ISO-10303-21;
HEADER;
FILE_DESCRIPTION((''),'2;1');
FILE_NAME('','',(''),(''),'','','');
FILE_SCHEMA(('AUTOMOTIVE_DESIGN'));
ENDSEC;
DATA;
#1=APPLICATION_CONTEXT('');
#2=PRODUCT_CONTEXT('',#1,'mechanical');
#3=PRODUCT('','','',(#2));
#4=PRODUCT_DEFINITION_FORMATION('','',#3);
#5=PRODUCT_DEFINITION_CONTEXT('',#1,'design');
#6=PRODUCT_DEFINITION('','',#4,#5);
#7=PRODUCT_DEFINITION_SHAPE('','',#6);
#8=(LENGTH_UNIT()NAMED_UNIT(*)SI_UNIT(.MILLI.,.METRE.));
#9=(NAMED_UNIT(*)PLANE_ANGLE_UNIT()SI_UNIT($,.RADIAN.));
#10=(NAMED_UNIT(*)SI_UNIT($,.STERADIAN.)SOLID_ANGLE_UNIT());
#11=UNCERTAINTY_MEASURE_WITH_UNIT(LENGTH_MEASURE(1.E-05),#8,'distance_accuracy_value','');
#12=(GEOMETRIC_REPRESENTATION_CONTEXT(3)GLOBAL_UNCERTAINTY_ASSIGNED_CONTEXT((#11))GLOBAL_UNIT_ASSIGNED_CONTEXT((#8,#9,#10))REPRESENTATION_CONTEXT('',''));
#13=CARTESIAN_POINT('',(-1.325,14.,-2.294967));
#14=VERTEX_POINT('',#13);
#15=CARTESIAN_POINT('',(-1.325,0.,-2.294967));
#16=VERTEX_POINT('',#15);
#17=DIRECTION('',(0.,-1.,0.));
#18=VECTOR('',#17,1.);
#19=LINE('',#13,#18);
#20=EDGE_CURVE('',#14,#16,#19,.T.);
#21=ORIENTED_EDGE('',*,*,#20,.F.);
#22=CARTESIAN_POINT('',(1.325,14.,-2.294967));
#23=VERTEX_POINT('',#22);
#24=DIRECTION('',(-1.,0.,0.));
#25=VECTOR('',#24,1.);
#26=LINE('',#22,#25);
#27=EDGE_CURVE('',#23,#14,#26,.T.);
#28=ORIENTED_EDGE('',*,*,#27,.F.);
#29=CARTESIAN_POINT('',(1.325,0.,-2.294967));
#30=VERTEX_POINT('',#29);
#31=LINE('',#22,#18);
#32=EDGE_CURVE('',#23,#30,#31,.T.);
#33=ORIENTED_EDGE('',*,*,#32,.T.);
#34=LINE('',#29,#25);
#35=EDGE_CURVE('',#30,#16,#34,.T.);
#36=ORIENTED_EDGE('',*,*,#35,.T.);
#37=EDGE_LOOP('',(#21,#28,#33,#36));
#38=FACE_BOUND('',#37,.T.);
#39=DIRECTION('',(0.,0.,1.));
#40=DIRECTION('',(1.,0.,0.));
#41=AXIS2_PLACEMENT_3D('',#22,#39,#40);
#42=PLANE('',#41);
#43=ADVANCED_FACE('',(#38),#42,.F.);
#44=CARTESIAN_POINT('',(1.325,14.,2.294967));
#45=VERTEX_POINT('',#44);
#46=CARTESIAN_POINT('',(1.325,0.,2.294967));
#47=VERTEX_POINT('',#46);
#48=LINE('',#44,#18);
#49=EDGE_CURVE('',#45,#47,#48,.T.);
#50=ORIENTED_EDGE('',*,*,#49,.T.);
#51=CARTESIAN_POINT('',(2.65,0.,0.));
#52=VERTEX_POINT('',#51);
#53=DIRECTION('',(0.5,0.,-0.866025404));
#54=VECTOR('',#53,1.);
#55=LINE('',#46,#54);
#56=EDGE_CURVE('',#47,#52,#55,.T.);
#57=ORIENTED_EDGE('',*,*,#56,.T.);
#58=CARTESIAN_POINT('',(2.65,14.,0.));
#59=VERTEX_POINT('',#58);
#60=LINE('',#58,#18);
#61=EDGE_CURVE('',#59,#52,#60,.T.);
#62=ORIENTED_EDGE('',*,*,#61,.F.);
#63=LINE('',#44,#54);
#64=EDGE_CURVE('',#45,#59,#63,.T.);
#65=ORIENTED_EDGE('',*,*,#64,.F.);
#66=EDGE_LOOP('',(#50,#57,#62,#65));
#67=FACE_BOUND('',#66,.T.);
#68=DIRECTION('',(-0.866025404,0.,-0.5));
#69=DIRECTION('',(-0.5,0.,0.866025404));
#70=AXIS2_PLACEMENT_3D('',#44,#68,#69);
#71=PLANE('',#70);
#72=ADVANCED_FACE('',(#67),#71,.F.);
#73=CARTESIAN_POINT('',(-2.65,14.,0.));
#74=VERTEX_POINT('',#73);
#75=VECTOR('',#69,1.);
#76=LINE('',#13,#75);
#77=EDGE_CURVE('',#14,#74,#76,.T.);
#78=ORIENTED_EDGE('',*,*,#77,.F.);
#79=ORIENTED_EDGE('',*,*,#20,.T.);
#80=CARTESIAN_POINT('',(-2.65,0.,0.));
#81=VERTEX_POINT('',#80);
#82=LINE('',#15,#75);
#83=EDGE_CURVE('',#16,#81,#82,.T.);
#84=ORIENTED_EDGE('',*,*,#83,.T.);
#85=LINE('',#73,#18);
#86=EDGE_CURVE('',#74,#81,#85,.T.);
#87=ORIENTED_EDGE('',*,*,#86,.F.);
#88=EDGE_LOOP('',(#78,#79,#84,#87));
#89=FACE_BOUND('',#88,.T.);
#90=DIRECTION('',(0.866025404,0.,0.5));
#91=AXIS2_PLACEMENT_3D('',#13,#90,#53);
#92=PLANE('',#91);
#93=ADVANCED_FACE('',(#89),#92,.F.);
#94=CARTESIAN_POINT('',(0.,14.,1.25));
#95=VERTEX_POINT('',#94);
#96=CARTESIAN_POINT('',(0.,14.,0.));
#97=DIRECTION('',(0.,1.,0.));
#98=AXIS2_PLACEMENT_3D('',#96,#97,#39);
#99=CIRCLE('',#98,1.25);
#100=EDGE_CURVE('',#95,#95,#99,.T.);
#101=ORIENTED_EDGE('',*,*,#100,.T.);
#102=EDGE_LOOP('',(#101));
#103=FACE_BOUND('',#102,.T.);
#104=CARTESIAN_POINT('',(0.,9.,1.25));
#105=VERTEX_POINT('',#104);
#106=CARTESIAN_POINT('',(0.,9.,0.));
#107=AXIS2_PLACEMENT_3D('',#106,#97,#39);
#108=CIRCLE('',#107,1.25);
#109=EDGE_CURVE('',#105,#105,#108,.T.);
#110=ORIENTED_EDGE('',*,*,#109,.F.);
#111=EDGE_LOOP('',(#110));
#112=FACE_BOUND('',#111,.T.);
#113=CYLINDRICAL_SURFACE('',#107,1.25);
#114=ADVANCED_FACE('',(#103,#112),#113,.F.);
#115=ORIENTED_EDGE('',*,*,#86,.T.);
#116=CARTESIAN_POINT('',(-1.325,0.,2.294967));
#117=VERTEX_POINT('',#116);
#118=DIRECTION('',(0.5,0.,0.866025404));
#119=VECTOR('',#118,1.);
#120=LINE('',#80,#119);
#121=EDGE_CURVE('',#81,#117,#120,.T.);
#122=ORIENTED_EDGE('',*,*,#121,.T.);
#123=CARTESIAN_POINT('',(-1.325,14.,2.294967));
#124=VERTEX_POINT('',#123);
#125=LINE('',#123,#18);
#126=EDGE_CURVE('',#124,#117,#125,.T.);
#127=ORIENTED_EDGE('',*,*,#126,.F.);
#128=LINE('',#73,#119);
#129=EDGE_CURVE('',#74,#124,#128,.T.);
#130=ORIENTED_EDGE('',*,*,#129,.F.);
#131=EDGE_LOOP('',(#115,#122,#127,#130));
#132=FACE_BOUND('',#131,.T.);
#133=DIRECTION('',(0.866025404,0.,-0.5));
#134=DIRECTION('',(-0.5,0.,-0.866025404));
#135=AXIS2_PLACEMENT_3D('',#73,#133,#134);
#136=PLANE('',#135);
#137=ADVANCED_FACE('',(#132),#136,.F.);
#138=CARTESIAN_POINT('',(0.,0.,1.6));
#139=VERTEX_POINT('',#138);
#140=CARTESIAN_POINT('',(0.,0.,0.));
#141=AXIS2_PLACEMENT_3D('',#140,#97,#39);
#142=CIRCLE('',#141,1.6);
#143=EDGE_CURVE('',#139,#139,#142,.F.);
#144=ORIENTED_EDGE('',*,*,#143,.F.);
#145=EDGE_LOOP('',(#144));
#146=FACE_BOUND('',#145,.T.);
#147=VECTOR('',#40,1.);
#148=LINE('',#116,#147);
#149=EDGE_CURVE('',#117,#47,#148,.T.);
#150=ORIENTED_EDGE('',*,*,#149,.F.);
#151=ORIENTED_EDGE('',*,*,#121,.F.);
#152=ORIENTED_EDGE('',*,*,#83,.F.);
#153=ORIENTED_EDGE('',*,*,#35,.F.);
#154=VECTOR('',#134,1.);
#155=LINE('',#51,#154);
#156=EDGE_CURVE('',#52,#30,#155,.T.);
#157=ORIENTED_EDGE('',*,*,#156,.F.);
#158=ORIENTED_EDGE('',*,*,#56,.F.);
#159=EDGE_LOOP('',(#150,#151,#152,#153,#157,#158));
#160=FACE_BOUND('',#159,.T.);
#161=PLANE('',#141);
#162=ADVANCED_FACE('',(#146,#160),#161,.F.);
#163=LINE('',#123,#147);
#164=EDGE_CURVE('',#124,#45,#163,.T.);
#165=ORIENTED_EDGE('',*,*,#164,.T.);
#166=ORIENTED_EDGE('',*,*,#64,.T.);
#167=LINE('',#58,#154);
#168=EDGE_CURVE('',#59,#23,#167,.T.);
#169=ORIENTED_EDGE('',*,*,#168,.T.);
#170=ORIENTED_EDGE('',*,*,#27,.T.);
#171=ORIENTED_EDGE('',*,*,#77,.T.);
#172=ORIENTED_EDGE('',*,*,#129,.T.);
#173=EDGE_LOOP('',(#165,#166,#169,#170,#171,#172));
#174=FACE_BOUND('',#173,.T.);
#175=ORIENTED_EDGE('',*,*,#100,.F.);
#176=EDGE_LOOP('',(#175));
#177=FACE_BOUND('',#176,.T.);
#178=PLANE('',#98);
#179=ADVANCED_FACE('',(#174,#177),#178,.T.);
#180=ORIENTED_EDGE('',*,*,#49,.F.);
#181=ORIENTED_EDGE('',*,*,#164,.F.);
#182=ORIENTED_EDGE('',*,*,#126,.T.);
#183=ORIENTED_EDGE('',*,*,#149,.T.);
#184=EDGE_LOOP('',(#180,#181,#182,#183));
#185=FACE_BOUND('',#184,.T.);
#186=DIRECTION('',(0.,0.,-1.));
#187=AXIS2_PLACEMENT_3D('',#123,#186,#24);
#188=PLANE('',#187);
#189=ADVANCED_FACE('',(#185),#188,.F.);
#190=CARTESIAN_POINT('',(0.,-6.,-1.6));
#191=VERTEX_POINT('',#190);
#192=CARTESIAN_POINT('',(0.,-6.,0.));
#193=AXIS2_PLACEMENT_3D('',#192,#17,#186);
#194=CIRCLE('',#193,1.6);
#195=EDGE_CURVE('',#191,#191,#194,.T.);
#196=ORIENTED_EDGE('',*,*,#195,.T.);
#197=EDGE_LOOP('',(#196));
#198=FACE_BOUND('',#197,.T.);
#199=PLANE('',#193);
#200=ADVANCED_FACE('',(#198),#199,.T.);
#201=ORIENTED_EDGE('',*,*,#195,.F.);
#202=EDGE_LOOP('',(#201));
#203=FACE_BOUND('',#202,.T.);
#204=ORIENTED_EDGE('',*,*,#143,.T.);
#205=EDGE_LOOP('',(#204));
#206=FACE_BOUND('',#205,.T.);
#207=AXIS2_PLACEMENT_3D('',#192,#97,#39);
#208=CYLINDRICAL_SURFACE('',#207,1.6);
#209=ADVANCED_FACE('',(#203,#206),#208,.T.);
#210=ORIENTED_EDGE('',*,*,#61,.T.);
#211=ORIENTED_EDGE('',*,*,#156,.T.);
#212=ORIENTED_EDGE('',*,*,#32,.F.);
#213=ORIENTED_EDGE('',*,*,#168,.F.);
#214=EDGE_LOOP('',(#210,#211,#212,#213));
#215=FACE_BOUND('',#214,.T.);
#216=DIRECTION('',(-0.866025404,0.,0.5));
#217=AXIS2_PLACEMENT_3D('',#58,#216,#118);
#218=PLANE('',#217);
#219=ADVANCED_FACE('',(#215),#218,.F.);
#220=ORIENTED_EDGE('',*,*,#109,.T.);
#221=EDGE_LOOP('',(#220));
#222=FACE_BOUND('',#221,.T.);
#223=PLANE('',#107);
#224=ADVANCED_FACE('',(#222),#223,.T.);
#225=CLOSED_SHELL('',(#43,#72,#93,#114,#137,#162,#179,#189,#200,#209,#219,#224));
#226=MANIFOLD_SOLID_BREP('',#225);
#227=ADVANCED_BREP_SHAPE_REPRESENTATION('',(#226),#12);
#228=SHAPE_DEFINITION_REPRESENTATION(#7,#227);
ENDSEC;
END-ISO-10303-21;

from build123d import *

# Parameters (mm, degrees)
EXTRUDE_1_DEPTH     = 14
SKETCH_6_R          = 1.6
EXTRUDE_2_DEPTH     = 6
SKETCH_7_R          = 1.25
CUT_EXTRUDE_1_DEPTH = 5


with BuildPart() as part:
    # 草图4 → 凸台-拉伸1 (new body)
    with BuildSketch(Plane(origin=(0, 0, 0), x_dir=(1, 0, 0), z_dir=(0, 1, 0))):
        Polygon((1.325, -2.29496732), (2.65, 0), (1.325, 2.29496732), (-1.325, 2.29496732), (-2.65, 0), (-1.325, -2.29496732), align=None)
    extrude(amount=EXTRUDE_1_DEPTH)

    # 草图6 → 凸台-拉伸2 (add)
    with BuildSketch(Plane(origin=(0, 0, 0), x_dir=(-1, 0, 0), z_dir=(0, -1, 0))):
        with Locations(Location((0, 0, 0), (0, 0, 270))):
            Circle(SKETCH_6_R)
    extrude(amount=EXTRUDE_2_DEPTH)

    # 草图7 → 切除-拉伸1 (cut)
    with BuildSketch(Plane(origin=(0, 14, 0), x_dir=(1, 0, 0), z_dir=(0, 1, 0))):
        with Locations(Location((0, 0, 0), (0, 0, 270))):
            Circle(SKETCH_7_R)
    extrude(amount=-CUT_EXTRUDE_1_DEPTH, mode=Mode.SUBTRACT)


solid = part.part
